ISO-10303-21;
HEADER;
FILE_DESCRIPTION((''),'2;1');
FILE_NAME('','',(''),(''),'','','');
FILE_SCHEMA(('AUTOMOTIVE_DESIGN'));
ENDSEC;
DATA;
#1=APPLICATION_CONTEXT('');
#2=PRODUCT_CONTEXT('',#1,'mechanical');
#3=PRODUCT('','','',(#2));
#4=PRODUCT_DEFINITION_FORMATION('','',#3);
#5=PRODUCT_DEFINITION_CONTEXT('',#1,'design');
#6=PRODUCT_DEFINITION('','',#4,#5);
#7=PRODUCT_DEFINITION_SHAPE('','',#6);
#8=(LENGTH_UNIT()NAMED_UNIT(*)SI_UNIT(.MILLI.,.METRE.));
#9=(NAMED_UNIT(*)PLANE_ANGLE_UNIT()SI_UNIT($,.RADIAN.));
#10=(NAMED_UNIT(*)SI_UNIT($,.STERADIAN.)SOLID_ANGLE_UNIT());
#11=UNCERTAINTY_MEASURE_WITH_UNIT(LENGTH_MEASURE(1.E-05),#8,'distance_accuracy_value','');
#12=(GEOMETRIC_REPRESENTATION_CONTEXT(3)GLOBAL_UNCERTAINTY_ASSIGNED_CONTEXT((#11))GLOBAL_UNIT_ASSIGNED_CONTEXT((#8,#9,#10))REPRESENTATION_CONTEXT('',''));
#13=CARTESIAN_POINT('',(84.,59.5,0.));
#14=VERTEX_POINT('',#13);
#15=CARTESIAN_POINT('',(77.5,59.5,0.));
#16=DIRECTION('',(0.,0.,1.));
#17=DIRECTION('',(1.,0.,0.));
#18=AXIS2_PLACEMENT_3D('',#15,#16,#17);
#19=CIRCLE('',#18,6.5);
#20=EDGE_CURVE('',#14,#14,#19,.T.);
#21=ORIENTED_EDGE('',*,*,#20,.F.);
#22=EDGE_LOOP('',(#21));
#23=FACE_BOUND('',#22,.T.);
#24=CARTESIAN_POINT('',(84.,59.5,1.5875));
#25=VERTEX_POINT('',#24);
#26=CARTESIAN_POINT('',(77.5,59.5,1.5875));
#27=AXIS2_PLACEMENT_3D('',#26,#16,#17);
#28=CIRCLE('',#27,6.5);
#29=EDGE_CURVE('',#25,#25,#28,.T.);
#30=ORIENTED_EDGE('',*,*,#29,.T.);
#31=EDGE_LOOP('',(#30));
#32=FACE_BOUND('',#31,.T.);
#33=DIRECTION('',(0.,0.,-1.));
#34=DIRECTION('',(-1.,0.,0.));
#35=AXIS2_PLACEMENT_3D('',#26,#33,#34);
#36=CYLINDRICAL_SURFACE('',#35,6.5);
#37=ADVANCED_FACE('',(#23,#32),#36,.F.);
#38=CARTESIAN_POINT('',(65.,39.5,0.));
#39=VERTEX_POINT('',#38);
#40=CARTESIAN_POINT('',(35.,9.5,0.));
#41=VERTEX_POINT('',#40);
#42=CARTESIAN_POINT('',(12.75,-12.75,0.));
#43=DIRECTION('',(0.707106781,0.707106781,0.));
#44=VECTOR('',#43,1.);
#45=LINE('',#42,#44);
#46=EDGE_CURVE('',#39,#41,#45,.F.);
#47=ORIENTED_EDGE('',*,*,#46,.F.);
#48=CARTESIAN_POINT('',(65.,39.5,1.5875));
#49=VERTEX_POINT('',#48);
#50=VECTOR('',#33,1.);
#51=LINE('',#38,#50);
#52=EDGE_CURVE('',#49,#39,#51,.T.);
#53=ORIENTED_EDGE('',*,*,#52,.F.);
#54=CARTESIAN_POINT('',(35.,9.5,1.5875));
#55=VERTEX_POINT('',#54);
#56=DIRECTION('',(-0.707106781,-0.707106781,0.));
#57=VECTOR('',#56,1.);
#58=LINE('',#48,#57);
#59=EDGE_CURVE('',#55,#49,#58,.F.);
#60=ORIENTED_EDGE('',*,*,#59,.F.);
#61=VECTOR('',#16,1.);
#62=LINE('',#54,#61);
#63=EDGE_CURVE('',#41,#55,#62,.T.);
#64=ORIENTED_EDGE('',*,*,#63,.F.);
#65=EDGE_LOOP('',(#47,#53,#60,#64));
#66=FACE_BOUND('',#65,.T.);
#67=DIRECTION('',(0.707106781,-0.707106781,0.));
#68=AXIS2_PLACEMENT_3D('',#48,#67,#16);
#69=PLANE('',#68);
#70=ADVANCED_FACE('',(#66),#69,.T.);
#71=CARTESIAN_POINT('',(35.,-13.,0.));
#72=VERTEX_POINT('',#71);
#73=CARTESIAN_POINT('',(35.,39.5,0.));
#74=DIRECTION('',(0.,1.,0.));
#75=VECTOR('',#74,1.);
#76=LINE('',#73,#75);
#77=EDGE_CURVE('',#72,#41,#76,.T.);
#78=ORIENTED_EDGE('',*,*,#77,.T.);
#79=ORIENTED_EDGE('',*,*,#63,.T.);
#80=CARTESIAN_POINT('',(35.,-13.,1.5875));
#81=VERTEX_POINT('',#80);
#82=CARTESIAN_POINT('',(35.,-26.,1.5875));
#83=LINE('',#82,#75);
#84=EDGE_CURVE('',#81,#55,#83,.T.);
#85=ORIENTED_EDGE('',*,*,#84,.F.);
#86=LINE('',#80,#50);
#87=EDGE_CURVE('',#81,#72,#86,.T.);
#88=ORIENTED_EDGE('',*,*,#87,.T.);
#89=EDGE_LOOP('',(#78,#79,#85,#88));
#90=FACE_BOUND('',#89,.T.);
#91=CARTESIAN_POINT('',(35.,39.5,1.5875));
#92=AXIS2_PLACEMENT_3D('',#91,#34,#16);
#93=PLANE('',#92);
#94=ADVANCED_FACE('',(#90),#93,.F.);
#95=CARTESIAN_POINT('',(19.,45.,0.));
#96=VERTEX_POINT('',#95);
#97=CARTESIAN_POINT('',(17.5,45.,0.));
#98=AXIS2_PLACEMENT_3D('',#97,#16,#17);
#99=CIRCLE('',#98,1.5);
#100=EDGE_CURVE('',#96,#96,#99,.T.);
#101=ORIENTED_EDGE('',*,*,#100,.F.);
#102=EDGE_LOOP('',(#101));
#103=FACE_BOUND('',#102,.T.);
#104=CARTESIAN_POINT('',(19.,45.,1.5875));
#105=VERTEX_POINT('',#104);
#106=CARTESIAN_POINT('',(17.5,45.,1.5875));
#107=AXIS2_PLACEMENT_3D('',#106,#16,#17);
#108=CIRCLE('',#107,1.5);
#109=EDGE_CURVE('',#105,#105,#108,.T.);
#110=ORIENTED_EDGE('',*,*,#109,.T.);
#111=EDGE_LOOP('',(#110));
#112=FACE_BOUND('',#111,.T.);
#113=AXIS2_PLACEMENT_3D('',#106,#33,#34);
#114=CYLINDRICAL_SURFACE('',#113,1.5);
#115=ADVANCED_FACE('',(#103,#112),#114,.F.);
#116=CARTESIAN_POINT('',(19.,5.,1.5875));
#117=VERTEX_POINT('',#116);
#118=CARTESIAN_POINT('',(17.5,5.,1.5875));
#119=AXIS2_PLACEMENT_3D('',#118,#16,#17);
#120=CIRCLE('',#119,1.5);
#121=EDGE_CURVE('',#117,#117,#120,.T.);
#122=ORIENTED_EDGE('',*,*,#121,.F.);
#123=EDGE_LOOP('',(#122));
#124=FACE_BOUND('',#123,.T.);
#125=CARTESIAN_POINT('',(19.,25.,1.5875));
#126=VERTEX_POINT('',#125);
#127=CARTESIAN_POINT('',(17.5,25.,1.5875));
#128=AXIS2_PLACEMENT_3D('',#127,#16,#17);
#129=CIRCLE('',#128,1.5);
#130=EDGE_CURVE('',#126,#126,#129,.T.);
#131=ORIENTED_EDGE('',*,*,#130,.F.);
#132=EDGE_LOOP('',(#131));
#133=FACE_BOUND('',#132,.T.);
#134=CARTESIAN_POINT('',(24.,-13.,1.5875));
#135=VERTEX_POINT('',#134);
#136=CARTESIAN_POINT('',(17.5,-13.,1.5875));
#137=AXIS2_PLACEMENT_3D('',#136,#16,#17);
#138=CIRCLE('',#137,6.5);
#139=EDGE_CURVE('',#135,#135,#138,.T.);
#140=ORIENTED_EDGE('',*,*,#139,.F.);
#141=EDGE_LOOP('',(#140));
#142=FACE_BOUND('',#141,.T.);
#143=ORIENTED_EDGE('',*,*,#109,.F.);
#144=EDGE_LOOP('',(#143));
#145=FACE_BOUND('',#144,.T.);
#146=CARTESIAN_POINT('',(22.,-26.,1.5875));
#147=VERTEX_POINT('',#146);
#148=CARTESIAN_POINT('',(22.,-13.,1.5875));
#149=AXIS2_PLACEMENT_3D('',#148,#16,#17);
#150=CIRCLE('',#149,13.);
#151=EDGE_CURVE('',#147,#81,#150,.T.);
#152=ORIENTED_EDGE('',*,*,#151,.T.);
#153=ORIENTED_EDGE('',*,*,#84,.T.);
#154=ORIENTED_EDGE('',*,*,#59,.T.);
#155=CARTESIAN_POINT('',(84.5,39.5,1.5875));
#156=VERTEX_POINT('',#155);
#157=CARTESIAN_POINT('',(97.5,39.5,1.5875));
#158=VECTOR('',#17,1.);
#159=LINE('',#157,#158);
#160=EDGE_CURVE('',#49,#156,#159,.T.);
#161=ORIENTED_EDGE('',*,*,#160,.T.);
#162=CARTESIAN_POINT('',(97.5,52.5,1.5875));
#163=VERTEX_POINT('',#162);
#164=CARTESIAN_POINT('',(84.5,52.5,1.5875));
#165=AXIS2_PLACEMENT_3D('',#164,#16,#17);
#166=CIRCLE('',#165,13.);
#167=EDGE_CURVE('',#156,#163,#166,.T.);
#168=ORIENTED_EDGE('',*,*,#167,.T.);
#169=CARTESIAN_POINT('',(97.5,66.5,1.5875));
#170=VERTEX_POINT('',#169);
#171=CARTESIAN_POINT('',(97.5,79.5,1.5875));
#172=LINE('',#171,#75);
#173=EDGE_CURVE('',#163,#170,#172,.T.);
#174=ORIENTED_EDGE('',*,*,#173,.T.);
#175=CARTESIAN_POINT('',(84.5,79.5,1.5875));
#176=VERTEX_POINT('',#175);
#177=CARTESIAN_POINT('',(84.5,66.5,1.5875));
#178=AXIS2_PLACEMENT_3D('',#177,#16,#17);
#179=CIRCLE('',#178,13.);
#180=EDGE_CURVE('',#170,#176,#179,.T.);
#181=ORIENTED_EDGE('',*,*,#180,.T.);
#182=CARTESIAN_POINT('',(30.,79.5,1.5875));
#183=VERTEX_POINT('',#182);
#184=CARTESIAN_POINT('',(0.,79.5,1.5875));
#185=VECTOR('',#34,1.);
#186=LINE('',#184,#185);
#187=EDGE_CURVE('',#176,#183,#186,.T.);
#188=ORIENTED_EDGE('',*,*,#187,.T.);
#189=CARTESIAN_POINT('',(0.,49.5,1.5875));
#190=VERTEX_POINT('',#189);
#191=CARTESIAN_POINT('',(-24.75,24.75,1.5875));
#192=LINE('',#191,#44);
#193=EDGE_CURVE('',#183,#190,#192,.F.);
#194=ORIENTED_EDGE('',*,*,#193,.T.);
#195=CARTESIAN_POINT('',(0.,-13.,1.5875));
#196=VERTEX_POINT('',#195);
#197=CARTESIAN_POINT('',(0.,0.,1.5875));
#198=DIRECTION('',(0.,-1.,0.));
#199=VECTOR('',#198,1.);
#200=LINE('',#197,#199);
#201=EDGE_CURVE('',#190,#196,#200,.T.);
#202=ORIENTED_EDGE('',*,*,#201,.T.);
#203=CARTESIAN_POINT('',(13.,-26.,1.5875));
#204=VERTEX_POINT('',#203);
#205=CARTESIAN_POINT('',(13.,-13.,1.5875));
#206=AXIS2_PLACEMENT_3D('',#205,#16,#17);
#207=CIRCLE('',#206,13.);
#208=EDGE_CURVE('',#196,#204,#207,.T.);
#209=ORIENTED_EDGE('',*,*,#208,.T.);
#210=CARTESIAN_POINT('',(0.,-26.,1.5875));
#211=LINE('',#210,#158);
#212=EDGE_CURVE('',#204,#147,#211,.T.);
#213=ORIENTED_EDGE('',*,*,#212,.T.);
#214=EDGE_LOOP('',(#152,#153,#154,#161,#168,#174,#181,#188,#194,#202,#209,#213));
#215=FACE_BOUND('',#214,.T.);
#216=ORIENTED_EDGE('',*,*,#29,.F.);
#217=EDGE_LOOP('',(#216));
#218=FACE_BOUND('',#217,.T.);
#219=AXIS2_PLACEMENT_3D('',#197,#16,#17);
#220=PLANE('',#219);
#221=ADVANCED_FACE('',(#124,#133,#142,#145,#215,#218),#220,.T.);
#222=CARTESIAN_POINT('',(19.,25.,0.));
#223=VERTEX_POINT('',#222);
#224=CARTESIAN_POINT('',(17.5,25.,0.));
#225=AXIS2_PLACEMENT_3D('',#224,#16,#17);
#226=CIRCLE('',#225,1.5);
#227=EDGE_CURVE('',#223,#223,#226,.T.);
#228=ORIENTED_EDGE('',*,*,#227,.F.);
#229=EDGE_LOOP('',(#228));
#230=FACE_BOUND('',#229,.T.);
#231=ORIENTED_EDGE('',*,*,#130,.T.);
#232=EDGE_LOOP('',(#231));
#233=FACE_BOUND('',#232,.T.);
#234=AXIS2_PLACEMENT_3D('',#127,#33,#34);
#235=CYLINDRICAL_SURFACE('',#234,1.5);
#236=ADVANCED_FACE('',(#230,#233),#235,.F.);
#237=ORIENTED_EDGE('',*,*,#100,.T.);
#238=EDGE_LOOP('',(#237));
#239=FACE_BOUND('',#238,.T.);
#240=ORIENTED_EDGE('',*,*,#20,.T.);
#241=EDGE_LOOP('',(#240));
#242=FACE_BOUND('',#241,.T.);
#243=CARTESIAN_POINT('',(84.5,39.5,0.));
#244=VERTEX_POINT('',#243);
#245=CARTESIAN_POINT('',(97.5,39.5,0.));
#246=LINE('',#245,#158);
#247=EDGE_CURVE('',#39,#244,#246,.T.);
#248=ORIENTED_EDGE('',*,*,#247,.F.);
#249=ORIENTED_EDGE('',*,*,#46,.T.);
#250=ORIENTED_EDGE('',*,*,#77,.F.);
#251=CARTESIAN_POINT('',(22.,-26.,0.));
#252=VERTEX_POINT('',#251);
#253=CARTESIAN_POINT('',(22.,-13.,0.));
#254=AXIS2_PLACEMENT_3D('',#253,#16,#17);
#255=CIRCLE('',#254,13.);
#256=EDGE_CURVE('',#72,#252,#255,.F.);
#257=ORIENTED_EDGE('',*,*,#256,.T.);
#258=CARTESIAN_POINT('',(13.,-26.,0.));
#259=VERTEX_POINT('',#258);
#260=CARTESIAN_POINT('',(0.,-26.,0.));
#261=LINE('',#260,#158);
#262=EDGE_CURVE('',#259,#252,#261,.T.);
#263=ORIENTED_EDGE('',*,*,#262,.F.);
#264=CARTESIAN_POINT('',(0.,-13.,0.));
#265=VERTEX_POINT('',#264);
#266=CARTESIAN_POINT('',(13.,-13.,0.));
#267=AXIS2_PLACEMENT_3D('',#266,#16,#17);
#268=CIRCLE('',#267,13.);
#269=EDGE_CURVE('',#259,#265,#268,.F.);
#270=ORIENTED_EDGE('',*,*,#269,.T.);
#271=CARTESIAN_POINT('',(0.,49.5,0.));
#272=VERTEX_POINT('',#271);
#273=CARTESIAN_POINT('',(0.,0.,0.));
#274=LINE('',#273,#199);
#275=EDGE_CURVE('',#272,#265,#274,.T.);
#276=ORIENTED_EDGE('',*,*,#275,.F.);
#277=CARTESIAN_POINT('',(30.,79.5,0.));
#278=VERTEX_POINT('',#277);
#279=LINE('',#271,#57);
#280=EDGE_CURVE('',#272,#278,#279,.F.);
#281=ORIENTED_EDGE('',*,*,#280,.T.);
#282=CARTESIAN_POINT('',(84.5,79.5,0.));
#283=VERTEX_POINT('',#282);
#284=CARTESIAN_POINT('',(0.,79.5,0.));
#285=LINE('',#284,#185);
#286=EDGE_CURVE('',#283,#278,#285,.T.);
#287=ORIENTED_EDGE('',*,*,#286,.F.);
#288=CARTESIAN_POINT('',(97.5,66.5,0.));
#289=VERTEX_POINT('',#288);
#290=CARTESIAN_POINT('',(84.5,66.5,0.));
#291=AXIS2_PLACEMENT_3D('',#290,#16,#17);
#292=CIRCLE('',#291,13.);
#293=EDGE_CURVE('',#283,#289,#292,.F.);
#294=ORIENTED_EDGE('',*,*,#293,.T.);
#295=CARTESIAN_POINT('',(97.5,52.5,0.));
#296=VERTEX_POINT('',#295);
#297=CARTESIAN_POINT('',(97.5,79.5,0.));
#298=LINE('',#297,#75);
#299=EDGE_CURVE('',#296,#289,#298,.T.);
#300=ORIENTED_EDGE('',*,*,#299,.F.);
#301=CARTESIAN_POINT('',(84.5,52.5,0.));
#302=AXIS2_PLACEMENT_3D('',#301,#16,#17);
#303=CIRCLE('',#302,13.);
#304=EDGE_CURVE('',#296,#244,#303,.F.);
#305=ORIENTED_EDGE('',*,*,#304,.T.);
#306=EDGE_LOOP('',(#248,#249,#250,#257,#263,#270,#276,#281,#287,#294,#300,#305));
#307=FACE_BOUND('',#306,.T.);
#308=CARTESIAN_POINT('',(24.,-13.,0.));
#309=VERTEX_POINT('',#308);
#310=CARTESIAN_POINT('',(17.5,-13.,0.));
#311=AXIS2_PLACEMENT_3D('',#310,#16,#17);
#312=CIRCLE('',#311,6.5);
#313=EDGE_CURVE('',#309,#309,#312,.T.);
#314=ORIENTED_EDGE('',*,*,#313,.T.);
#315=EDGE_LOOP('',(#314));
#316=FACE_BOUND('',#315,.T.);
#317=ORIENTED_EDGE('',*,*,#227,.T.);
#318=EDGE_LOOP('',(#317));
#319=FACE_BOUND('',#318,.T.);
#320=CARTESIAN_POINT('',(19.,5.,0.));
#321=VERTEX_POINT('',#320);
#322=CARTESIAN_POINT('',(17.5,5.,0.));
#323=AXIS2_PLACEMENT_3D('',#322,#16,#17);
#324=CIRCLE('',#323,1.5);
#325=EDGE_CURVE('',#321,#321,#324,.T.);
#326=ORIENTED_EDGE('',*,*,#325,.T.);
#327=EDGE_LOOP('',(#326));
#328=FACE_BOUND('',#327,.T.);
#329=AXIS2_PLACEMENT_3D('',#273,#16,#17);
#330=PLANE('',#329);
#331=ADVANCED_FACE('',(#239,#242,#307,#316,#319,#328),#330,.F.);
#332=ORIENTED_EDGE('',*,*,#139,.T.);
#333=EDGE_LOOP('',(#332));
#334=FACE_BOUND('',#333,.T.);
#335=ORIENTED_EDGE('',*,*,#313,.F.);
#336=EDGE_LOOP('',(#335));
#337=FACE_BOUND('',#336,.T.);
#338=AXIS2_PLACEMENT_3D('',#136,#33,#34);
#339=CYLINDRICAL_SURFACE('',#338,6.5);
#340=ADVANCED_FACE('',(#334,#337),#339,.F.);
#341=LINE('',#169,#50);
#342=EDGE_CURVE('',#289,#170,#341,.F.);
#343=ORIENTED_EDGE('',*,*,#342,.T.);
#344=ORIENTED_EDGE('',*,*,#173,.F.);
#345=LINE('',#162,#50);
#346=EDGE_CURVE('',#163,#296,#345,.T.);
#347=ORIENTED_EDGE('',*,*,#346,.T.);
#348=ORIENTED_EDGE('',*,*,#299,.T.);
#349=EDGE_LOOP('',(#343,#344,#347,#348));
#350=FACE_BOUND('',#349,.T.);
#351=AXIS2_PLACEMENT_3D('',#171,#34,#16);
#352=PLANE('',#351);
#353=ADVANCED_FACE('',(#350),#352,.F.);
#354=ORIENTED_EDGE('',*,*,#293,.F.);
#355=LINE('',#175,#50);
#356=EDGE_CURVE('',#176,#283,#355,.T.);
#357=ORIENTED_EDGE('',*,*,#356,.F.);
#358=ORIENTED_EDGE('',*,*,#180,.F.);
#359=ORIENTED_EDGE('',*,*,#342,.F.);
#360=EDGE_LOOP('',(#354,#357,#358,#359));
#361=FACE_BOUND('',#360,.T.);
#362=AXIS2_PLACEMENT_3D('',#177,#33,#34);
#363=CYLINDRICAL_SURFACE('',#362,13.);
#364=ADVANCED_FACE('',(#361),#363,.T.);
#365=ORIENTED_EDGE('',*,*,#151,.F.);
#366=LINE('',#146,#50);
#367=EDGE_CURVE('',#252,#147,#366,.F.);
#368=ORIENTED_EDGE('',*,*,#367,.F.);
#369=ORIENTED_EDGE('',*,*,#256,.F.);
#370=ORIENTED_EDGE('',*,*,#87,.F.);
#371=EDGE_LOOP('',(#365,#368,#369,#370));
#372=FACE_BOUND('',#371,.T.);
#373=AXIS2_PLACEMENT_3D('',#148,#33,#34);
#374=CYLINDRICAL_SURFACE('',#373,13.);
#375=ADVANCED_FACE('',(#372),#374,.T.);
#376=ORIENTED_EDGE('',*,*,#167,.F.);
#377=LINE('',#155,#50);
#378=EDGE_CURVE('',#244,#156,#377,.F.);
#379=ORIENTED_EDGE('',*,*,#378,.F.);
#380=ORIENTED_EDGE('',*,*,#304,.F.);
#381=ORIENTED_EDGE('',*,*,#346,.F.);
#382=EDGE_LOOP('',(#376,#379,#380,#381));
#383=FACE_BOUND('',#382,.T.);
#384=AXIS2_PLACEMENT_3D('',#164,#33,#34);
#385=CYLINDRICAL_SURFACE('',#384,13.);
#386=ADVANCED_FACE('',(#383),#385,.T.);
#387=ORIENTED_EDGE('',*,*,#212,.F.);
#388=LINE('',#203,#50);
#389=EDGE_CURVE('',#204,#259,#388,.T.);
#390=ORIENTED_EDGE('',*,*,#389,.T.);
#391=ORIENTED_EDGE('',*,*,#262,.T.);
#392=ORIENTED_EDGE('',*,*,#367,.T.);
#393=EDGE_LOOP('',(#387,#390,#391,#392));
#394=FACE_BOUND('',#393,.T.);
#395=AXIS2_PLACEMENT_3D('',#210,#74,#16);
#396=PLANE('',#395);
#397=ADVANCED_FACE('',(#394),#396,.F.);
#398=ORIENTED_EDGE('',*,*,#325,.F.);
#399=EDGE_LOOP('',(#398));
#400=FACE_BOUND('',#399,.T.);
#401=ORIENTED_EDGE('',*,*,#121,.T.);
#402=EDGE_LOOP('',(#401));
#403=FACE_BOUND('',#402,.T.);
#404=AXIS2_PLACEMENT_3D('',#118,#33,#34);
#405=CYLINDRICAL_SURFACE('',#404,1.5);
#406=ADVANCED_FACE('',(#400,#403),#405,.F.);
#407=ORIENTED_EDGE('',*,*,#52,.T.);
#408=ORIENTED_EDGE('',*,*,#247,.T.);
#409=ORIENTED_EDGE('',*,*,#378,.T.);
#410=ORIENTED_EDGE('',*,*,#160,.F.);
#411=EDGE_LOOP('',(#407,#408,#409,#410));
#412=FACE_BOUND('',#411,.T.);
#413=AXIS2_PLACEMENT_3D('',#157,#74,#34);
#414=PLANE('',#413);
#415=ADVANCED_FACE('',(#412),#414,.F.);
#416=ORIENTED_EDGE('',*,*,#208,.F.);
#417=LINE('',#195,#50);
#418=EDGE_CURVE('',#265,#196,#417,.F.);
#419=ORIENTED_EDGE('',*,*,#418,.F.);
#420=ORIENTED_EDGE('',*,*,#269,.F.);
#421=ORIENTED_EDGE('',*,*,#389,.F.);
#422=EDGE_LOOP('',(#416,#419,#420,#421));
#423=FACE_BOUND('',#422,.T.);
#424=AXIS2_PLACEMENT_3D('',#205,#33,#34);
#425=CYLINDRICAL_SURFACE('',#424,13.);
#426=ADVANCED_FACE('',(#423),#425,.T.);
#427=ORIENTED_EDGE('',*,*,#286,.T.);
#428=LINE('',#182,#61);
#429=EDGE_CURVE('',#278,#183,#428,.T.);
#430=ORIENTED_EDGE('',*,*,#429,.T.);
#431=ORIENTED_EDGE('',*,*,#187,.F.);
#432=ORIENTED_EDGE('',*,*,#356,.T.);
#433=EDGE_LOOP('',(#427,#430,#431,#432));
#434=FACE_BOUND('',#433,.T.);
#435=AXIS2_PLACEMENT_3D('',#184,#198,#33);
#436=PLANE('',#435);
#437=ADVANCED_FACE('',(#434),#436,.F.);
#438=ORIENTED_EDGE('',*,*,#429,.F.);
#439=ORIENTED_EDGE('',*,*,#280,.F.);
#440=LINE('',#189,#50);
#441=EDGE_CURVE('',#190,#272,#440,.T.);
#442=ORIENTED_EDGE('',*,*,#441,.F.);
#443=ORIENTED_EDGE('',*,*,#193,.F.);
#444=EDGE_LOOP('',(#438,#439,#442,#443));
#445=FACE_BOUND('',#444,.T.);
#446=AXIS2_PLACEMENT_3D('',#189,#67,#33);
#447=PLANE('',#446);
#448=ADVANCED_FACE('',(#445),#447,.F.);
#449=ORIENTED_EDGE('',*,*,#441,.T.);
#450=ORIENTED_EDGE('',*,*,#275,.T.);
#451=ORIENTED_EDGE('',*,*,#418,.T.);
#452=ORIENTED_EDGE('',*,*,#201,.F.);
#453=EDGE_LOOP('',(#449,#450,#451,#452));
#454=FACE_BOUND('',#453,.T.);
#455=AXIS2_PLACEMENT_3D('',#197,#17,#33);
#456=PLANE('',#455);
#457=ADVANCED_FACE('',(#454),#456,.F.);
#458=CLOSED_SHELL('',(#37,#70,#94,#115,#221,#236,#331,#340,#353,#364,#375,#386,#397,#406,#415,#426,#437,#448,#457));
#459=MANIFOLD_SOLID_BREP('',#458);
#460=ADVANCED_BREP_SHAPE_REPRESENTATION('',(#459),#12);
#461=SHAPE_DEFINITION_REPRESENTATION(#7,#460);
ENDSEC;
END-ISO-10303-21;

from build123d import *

# Parameters (mm, degrees)
SKETCH1_R           = 6.5
SKETCH1_R_2         = 1.5
BOSS_EXTRUDE1_DEPTH = 1.5875
FILLET2_R           = 13
CHAMFER1_SIZE       = 30


with BuildPart() as part:
    # Sketch1 → Boss-Extrude1 (new body)
    with BuildSketch(Plane.XY):
        Polygon((0, 0), (0, 50), (0, 79.5), (97.5, 79.5), (97.5, 39.5), (35, 39.5), (35, 0), (35, -26), (0, -26), align=None)
        with Locations((17.5, -13)):
            Circle(SKETCH1_R, mode=Mode.SUBTRACT)
        with Locations((77.5, 59.5)):
            Circle(SKETCH1_R, mode=Mode.SUBTRACT)
        with Locations((17.5, 45)):
            Circle(SKETCH1_R_2, mode=Mode.SUBTRACT)
        with Locations((17.5, 25)):
            Circle(SKETCH1_R_2, mode=Mode.SUBTRACT)
        with Locations((17.5, 5)):
            Circle(SKETCH1_R_2, mode=Mode.SUBTRACT)
    extrude(amount=BOSS_EXTRUDE1_DEPTH)

    # Fillet2
    fillet2_edges = [part.edges().sort_by_distance(p)[0] for p in [
        (97.5, 79.5, 0.79375),
        (97.5, 39.5, 0.79375),
        (35, -26, 0.79375),
        (0, -26, 0.79375),
    ]]
    fillet(fillet2_edges, radius=FILLET2_R)

    # Chamfer1
    chamfer1_edges = [part.edges().sort_by_distance(p)[0] for p in [
        (0, 79.5, 0.79375),
        (35, 39.5, 0.79375),
    ]]
    chamfer(chamfer1_edges, length=CHAMFER1_SIZE)


solid = part.part
